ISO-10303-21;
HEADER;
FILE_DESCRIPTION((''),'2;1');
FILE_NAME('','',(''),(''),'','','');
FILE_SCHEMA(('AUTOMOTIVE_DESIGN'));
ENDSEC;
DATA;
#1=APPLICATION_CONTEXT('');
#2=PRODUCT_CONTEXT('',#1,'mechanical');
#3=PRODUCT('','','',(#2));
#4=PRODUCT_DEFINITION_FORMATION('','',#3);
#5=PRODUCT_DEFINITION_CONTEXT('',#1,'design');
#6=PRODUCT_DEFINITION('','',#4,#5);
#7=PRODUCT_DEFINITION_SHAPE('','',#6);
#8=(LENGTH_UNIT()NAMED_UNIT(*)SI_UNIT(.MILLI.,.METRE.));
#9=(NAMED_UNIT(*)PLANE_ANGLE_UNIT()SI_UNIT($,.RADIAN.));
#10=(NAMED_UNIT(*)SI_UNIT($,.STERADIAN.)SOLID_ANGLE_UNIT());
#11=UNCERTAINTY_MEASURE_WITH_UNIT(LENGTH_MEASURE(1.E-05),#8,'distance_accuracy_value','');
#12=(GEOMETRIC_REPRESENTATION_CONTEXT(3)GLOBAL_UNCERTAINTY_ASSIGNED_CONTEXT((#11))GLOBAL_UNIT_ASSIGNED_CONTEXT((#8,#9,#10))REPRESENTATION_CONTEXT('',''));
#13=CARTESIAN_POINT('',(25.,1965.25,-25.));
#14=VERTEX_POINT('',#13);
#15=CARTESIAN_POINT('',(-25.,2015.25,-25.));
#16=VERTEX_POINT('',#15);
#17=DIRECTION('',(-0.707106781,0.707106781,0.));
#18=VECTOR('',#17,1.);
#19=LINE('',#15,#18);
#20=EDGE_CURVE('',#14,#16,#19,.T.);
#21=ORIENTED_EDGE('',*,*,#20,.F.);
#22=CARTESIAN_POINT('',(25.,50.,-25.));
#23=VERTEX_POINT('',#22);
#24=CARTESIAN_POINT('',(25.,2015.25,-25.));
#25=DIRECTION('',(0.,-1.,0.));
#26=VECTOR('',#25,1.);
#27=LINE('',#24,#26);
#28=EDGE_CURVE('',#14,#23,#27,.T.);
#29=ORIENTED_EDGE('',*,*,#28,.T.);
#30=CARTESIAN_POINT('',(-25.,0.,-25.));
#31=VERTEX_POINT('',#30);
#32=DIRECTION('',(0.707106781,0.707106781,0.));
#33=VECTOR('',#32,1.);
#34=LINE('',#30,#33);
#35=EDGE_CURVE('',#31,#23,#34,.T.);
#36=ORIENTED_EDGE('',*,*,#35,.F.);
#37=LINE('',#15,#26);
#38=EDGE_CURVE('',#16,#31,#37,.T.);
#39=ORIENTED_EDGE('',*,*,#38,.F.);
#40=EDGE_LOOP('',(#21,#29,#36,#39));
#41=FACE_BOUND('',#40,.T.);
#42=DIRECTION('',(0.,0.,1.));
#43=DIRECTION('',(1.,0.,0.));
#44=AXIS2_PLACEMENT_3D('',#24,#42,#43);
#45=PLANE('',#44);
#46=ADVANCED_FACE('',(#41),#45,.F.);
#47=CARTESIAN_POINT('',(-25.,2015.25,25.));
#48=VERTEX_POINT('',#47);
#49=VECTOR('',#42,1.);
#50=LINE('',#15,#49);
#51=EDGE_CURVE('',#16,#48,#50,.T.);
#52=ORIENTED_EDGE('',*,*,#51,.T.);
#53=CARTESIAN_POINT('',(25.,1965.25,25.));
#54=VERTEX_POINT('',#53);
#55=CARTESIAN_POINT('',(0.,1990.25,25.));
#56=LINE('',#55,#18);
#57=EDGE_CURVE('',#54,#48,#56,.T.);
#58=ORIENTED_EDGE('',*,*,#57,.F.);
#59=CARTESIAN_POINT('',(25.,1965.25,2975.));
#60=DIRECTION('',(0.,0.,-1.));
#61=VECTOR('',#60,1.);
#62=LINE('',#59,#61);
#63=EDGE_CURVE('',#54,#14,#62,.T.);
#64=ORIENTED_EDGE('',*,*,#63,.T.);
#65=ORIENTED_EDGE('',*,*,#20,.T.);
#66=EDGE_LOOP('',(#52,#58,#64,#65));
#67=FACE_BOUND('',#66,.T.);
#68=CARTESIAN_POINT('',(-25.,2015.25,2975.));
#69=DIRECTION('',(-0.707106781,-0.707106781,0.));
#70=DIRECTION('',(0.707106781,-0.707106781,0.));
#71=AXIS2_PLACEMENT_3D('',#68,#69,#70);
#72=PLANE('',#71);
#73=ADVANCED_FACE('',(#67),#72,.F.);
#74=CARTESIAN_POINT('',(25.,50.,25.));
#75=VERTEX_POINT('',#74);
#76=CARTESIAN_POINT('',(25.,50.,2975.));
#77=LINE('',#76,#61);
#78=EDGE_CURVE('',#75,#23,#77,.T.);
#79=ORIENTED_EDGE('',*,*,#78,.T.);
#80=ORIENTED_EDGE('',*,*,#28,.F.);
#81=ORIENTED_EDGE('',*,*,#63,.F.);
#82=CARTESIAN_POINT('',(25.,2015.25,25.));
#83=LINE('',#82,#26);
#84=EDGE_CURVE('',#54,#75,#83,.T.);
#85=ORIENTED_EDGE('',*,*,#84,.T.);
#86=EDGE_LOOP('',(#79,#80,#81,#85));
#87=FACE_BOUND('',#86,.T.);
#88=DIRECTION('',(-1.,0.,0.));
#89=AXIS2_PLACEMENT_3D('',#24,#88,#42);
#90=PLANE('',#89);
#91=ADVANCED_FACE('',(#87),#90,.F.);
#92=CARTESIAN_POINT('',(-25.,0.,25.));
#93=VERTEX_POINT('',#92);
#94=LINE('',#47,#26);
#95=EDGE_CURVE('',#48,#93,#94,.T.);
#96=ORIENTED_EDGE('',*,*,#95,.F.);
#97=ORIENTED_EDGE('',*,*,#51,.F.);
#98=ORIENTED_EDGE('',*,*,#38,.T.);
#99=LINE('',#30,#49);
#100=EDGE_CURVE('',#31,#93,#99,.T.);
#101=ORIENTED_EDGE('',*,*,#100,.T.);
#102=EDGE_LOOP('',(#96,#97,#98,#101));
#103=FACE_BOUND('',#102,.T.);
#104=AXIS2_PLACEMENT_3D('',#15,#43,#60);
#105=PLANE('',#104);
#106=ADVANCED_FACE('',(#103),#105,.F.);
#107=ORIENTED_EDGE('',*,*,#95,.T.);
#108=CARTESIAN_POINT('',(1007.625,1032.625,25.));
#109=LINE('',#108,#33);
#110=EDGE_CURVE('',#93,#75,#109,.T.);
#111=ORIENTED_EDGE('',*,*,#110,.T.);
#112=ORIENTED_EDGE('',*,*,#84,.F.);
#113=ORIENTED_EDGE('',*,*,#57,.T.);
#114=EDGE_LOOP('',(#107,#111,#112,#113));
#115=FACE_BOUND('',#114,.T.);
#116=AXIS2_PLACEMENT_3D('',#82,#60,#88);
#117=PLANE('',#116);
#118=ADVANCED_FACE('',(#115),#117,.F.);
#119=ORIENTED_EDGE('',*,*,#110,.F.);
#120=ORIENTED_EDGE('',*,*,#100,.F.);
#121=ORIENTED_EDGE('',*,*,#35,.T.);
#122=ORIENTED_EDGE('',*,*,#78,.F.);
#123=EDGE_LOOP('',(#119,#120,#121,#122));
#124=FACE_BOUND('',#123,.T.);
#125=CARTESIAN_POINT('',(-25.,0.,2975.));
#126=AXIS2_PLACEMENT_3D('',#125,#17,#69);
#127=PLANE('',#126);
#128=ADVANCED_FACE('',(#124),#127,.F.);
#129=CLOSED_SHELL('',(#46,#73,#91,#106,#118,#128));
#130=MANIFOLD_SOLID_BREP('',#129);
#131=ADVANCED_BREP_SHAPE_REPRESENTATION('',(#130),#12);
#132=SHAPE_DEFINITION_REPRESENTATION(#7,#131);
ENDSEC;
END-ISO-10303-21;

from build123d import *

# Parameters (mm, degrees)
SKETCH_1_W          = 50
SKETCH_1_H          = 50
EXTRUDE_1_DEPTH     = 2015.25
CUT_EXTRUDE_1_DEPTH = 3000


with BuildPart() as part:
    # Эскиз1 → Бобышка-Вытянуть1 (new body)
    with BuildSketch(Plane(origin=(0, 0, 0), x_dir=(1, 0, 0), z_dir=(0, 1, 0))):
        Rectangle(SKETCH_1_W, SKETCH_1_H)
    extrude(amount=EXTRUDE_1_DEPTH)

    # Эскиз7 → Вырез-Вытянуть1 (cut)
    with BuildSketch(Plane(origin=(0, 0, -25), x_dir=(-1, 0, 0), z_dir=(0, 0, -1))):
        Polygon((-25, 0), (25, 0), (-25, 50), align=None)
        Polygon((-25, 2015.25), (25, 2015.25), (-25, 1965.25), align=None)
    extrude(amount=-CUT_EXTRUDE_1_DEPTH, mode=Mode.SUBTRACT)


solid = part.part
